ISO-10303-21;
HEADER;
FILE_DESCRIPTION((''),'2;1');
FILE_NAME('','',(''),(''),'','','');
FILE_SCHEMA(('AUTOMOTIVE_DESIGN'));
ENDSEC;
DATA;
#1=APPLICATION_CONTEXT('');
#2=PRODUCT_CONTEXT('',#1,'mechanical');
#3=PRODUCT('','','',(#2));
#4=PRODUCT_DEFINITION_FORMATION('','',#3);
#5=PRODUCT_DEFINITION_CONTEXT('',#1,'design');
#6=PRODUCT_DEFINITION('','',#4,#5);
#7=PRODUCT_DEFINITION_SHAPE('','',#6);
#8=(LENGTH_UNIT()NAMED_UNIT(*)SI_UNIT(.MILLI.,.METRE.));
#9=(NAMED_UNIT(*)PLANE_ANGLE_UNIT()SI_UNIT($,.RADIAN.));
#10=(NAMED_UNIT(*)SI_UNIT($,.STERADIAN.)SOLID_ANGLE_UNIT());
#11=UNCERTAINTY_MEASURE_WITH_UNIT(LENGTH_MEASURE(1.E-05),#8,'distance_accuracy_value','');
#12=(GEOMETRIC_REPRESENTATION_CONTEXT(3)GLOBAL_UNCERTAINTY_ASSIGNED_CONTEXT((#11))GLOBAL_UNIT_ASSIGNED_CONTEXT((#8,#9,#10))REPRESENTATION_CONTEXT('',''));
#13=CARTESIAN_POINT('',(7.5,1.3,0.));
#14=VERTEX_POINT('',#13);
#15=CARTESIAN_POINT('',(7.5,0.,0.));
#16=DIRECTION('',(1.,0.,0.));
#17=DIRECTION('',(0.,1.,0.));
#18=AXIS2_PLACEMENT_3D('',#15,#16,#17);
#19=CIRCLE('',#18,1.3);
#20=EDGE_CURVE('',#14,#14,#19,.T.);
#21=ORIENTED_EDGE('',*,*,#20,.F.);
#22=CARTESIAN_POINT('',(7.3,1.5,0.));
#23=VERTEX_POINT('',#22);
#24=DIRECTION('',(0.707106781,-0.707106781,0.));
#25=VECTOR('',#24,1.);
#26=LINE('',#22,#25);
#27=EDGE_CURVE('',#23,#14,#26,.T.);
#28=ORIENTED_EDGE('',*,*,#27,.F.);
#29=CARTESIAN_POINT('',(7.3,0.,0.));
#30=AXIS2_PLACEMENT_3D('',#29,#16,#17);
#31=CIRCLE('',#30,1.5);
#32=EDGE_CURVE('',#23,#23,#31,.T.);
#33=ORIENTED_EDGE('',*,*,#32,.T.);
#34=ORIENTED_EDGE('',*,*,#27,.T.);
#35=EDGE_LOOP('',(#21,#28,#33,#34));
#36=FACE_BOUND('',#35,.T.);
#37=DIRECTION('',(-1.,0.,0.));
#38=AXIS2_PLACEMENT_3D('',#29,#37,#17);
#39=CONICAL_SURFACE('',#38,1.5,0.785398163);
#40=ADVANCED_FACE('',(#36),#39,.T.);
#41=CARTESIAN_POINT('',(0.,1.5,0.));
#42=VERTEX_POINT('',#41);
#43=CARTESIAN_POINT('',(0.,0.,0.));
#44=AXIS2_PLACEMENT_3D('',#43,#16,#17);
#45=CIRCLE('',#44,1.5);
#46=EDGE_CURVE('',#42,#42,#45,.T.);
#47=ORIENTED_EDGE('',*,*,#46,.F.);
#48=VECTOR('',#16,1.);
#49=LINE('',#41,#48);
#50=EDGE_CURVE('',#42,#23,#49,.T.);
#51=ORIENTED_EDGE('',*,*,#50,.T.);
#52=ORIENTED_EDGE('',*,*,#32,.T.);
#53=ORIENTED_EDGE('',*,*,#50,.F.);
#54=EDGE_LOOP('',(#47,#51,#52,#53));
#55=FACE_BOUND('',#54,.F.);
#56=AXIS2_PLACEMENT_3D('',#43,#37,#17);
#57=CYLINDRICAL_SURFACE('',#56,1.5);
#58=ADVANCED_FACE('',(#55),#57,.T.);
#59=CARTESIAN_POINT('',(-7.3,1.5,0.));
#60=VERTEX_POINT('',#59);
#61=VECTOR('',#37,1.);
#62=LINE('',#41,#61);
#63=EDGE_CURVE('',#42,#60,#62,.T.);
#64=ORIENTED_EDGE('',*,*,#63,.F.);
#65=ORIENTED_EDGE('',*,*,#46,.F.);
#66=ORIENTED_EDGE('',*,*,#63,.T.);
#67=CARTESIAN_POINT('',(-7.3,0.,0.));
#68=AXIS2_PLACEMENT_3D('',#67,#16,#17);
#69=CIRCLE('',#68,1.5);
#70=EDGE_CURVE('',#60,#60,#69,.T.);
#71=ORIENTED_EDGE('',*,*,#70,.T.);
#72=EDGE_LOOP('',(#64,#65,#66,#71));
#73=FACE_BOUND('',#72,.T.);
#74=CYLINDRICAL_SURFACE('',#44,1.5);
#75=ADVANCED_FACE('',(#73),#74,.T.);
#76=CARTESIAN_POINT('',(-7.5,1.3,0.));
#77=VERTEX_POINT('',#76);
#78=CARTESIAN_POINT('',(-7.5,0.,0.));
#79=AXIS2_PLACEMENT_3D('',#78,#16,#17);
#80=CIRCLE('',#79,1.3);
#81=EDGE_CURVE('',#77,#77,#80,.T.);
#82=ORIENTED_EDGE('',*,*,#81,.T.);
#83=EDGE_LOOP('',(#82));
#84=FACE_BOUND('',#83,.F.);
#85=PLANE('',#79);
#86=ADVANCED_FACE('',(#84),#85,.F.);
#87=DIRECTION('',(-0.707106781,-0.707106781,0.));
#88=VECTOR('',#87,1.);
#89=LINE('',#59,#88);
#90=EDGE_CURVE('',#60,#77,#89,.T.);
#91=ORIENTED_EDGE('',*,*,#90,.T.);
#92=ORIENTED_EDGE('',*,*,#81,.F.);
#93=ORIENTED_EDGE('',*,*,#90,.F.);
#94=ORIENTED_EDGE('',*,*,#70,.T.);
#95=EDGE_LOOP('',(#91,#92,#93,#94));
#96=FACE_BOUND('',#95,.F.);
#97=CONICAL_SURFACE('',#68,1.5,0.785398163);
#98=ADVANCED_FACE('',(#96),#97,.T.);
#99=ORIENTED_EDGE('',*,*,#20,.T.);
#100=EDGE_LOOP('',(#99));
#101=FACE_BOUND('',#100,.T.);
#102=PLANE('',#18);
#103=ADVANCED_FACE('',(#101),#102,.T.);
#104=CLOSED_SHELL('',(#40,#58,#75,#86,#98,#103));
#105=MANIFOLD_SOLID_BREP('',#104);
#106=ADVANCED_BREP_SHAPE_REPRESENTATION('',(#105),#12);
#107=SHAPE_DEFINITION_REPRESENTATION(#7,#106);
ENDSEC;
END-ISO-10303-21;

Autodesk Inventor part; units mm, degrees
ref_plane "YZ Plane" through (0, 0, 0) normal (1, 0, 0) x (0, 1, 0)
ref_plane "XZ Plane" through (0, 0, 0) normal (0, 1, 0) x (-1, 0, 0)
ref_plane "XY Plane" through (0, 0, 0) normal (0, 0, 1) x (1, 0, 0)
sketch "スケッチ1" plane through (0, 0, 0) normal (1, 0, 0) x (0, 1, 0)
  circle A0 centre (0, 0) radius 1.5
  dimension "d0" = 3
extrude "押し出し1" add sketch "スケッチ1" along normal mid plane 15
chamfer "面取り1" distance 0.2 angle 45 2 edges at (7.5, -1.5, 0) (-7.5, -1.5, 0)
properties part number "D3-L15"
